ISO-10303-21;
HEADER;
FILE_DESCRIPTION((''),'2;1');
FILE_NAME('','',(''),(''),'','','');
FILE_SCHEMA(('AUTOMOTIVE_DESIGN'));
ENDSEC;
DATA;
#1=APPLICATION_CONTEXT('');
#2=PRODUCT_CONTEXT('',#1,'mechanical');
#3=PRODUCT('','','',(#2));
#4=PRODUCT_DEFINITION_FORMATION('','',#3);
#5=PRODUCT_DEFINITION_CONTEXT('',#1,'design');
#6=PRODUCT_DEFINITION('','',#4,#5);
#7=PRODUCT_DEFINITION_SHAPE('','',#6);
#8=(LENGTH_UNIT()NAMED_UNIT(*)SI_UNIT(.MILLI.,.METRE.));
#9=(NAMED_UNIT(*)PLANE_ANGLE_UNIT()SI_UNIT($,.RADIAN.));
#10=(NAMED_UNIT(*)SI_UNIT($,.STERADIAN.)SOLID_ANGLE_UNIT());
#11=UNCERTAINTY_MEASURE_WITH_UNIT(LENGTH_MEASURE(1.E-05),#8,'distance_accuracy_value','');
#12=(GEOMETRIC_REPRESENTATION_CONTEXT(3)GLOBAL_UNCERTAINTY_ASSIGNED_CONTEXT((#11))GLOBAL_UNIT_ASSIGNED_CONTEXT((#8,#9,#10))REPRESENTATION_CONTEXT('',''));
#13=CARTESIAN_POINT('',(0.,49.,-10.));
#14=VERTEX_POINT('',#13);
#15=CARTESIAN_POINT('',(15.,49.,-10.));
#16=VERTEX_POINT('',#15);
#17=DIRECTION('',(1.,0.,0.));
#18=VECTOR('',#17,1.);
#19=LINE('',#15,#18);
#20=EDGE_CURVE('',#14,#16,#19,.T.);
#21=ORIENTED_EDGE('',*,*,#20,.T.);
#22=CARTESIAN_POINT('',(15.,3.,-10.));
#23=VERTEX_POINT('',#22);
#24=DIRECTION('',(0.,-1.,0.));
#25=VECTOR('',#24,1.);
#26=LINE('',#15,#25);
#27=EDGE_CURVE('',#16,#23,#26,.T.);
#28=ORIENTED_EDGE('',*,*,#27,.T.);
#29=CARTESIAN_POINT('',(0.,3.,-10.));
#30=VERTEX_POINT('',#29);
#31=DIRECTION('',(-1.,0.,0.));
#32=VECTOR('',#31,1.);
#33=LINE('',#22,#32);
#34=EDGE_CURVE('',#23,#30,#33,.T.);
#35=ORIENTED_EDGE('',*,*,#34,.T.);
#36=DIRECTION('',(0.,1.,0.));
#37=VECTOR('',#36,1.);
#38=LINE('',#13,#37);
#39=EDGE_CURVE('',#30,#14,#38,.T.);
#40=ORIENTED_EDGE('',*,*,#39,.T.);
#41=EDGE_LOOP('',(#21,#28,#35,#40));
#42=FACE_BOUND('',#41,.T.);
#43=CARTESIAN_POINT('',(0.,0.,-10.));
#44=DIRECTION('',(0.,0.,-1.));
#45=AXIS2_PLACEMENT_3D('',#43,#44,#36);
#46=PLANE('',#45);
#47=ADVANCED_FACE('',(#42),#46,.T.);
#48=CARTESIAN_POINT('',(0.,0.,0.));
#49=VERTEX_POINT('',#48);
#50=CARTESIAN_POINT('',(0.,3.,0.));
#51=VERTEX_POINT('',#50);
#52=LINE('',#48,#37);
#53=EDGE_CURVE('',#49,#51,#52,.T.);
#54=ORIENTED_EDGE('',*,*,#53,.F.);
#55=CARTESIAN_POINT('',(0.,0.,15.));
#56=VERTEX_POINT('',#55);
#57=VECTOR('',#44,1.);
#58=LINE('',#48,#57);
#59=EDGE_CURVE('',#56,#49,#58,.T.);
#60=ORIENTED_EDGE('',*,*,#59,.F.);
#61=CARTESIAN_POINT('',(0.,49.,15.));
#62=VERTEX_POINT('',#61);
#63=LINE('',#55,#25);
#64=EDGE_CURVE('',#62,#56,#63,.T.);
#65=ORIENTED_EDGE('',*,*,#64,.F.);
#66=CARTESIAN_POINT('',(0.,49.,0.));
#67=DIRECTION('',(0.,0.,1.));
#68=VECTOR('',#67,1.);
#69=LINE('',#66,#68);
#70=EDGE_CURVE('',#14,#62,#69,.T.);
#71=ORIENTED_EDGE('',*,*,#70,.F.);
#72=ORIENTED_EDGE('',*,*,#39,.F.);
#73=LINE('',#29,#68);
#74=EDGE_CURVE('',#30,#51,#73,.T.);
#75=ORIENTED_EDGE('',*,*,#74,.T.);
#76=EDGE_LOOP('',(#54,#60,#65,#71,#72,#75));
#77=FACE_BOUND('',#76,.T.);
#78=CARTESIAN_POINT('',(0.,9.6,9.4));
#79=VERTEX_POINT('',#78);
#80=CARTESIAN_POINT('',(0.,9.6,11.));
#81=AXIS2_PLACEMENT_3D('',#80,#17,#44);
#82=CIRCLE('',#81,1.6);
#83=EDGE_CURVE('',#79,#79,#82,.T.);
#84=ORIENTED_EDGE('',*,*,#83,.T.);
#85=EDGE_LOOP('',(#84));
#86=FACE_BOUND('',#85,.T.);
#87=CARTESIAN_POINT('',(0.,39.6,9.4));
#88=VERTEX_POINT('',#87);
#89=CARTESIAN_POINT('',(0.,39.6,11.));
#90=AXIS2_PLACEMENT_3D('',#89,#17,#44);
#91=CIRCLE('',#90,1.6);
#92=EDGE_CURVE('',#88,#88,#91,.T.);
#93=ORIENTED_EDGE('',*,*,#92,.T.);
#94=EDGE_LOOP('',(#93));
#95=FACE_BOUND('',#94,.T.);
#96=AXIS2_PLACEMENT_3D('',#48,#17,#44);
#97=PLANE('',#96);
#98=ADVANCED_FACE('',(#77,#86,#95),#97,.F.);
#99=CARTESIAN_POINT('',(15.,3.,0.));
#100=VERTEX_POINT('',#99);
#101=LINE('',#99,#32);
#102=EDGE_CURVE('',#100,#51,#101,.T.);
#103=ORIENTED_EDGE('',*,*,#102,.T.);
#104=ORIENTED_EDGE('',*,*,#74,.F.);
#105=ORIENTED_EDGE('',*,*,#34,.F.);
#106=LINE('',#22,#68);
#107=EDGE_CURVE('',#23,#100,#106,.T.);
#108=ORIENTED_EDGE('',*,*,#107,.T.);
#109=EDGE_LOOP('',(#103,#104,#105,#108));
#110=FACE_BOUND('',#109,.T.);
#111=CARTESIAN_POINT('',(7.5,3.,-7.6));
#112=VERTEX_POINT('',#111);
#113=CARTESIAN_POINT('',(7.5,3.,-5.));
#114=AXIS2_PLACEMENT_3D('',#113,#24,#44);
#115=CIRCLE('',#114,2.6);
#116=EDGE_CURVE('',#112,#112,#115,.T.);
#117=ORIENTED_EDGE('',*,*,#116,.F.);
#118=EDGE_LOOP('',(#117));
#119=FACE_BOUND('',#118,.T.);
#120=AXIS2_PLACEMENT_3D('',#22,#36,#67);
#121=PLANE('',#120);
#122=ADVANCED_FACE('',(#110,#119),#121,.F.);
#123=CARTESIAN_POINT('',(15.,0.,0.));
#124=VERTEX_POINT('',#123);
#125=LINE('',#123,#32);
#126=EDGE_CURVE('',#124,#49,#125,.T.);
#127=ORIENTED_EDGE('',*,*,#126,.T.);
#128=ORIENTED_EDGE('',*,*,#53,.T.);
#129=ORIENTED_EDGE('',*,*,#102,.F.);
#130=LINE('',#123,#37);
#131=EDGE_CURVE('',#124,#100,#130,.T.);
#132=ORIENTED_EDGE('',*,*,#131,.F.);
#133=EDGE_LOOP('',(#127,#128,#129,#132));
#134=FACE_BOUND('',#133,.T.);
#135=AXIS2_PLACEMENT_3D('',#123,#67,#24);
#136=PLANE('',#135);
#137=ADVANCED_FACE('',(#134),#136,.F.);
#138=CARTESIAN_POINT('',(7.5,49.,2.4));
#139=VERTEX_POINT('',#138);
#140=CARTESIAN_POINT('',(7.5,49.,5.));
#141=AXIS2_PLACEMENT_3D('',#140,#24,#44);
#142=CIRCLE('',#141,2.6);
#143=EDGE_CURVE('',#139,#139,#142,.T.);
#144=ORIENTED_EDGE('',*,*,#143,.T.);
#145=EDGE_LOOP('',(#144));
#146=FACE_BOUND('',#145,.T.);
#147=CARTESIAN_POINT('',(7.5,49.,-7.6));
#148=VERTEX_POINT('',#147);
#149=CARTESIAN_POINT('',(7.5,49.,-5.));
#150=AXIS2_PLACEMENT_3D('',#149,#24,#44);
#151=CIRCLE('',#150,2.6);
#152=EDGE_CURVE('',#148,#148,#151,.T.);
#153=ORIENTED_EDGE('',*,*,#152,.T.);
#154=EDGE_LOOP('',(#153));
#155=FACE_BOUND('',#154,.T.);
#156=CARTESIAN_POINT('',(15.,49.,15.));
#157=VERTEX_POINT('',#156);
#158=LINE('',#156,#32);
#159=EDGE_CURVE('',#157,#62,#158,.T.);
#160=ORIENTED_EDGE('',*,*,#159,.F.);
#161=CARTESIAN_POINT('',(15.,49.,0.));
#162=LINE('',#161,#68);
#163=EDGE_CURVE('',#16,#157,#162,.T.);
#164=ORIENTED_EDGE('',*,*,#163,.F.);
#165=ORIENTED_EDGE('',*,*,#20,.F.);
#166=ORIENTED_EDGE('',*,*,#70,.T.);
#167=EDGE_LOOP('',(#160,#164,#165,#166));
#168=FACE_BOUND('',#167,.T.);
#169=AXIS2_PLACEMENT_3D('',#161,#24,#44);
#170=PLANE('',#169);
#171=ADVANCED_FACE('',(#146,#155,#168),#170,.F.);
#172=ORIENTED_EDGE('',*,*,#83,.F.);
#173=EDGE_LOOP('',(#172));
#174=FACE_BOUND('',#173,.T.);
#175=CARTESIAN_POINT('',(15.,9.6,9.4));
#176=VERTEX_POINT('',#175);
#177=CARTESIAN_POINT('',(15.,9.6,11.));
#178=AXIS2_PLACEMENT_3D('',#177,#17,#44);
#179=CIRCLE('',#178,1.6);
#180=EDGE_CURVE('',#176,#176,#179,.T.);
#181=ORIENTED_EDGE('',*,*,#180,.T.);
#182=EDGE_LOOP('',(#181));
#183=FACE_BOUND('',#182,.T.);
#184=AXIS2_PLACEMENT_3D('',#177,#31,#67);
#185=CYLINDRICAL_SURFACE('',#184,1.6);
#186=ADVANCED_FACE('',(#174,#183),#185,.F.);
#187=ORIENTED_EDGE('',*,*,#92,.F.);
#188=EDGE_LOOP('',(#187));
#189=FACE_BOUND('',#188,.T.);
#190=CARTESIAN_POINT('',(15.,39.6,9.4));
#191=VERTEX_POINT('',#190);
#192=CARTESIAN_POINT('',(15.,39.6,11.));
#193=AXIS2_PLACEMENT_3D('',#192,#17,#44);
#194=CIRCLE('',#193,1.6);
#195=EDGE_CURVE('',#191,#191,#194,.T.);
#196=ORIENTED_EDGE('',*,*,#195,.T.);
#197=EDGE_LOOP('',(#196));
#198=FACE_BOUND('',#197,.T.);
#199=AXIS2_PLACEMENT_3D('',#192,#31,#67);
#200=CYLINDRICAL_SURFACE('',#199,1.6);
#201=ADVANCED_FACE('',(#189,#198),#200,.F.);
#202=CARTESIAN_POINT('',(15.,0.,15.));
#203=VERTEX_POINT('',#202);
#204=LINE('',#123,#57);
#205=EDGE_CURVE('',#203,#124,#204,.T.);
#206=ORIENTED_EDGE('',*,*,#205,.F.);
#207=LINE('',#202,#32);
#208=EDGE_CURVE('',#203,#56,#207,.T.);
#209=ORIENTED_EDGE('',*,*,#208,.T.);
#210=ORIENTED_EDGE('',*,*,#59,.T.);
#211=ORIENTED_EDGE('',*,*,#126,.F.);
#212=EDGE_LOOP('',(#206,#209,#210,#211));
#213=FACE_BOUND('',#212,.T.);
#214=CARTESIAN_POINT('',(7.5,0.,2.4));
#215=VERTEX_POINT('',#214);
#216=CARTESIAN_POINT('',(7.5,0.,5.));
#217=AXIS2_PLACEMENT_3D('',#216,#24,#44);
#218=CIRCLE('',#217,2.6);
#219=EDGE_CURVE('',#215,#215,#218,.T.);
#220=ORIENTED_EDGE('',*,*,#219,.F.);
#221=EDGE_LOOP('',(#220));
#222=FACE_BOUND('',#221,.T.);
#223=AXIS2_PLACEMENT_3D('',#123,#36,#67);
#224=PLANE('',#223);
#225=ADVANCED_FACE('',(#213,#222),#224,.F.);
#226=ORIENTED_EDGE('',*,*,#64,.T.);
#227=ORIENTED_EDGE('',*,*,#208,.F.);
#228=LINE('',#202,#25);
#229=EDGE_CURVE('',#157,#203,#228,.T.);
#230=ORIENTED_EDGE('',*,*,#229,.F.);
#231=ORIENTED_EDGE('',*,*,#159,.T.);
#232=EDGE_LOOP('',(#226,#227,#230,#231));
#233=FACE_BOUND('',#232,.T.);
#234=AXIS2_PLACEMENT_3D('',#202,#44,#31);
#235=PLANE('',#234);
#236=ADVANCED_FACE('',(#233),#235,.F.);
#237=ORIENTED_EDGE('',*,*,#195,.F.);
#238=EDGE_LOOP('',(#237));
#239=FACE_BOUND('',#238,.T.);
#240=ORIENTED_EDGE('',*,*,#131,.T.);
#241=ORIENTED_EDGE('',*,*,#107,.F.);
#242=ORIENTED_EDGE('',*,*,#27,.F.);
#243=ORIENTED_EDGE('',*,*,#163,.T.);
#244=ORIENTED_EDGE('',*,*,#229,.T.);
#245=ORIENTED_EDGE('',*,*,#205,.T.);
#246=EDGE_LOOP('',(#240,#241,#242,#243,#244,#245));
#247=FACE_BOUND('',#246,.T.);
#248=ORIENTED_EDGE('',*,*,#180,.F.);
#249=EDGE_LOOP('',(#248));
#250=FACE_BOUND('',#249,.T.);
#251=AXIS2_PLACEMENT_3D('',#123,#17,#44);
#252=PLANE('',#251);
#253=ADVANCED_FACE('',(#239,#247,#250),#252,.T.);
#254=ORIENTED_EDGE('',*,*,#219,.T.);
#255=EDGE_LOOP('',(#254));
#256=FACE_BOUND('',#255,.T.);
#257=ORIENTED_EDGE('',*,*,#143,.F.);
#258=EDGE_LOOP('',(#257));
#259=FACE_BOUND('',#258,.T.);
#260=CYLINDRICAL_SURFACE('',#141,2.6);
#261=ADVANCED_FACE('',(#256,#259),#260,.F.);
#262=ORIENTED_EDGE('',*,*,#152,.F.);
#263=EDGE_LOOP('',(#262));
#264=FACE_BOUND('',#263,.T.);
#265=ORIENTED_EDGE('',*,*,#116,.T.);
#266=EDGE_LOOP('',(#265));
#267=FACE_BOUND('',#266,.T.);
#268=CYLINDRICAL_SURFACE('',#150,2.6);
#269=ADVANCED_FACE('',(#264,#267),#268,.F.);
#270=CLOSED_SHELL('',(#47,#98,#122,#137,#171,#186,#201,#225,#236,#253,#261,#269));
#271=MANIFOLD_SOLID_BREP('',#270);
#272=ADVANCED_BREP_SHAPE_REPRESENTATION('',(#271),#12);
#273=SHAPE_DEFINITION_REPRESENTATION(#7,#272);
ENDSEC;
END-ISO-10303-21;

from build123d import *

# Parameters (mm, degrees)
SKETCH1_W           = 15
SKETCH1_H           = 49
SKETCH1_R           = 1.6
BOSS_EXTRUDE1_DEPTH = 15
SKETCH2_R           = 2.6
CUT_EXTRUDE1_DEPTH  = 54.394756297
SKETCH5_W           = 15
SKETCH5_H           = 46
BOSS_EXTRUDE3_DEPTH = 10
SKETCH6_R           = 2.6
CUT_EXTRUDE2_DEPTH  = 51.655700568


with BuildPart() as part:
    # Sketch1 → Boss-Extrude1 (new body)
    with BuildSketch(Plane(origin=(0, 0, 0), x_dir=(0, 0, -1), z_dir=(1, 0, 0))):
        with Locations((-7.5, 24.5)):
            Rectangle(SKETCH1_W, SKETCH1_H)
        with Locations((-11, 39.6)):
            Circle(SKETCH1_R, mode=Mode.SUBTRACT)
        with Locations((-11, 9.6)):
            Circle(SKETCH1_R, mode=Mode.SUBTRACT)
    extrude(amount=BOSS_EXTRUDE1_DEPTH)

    # Sketch2 → Cut-Extrude1 (cut, through all)
    with BuildSketch(Plane.XZ):
        with Locations(Location((7.5, 5, 0), (0, 0, 270))):
            Circle(SKETCH2_R)
    extrude(amount=-CUT_EXTRUDE1_DEPTH, mode=Mode.SUBTRACT)

    # Sketch5 → Boss-Extrude3 (add)
    with BuildSketch(Plane(origin=(0, 0, 0), x_dir=(-1, 0, 0), z_dir=(0, 0, -1))):
        with Locations((-7.5, 26)):
            Rectangle(SKETCH5_W, SKETCH5_H)
    extrude(amount=BOSS_EXTRUDE3_DEPTH)

    # Sketch6 → Cut-Extrude2 (cut, through all)
    with BuildSketch(Plane.XZ.offset(-3)):
        with Locations(Location((7.5, -5, 0), (0, 0, 270))):
            Circle(SKETCH6_R)
    extrude(amount=-CUT_EXTRUDE2_DEPTH, mode=Mode.SUBTRACT)


solid = part.part
